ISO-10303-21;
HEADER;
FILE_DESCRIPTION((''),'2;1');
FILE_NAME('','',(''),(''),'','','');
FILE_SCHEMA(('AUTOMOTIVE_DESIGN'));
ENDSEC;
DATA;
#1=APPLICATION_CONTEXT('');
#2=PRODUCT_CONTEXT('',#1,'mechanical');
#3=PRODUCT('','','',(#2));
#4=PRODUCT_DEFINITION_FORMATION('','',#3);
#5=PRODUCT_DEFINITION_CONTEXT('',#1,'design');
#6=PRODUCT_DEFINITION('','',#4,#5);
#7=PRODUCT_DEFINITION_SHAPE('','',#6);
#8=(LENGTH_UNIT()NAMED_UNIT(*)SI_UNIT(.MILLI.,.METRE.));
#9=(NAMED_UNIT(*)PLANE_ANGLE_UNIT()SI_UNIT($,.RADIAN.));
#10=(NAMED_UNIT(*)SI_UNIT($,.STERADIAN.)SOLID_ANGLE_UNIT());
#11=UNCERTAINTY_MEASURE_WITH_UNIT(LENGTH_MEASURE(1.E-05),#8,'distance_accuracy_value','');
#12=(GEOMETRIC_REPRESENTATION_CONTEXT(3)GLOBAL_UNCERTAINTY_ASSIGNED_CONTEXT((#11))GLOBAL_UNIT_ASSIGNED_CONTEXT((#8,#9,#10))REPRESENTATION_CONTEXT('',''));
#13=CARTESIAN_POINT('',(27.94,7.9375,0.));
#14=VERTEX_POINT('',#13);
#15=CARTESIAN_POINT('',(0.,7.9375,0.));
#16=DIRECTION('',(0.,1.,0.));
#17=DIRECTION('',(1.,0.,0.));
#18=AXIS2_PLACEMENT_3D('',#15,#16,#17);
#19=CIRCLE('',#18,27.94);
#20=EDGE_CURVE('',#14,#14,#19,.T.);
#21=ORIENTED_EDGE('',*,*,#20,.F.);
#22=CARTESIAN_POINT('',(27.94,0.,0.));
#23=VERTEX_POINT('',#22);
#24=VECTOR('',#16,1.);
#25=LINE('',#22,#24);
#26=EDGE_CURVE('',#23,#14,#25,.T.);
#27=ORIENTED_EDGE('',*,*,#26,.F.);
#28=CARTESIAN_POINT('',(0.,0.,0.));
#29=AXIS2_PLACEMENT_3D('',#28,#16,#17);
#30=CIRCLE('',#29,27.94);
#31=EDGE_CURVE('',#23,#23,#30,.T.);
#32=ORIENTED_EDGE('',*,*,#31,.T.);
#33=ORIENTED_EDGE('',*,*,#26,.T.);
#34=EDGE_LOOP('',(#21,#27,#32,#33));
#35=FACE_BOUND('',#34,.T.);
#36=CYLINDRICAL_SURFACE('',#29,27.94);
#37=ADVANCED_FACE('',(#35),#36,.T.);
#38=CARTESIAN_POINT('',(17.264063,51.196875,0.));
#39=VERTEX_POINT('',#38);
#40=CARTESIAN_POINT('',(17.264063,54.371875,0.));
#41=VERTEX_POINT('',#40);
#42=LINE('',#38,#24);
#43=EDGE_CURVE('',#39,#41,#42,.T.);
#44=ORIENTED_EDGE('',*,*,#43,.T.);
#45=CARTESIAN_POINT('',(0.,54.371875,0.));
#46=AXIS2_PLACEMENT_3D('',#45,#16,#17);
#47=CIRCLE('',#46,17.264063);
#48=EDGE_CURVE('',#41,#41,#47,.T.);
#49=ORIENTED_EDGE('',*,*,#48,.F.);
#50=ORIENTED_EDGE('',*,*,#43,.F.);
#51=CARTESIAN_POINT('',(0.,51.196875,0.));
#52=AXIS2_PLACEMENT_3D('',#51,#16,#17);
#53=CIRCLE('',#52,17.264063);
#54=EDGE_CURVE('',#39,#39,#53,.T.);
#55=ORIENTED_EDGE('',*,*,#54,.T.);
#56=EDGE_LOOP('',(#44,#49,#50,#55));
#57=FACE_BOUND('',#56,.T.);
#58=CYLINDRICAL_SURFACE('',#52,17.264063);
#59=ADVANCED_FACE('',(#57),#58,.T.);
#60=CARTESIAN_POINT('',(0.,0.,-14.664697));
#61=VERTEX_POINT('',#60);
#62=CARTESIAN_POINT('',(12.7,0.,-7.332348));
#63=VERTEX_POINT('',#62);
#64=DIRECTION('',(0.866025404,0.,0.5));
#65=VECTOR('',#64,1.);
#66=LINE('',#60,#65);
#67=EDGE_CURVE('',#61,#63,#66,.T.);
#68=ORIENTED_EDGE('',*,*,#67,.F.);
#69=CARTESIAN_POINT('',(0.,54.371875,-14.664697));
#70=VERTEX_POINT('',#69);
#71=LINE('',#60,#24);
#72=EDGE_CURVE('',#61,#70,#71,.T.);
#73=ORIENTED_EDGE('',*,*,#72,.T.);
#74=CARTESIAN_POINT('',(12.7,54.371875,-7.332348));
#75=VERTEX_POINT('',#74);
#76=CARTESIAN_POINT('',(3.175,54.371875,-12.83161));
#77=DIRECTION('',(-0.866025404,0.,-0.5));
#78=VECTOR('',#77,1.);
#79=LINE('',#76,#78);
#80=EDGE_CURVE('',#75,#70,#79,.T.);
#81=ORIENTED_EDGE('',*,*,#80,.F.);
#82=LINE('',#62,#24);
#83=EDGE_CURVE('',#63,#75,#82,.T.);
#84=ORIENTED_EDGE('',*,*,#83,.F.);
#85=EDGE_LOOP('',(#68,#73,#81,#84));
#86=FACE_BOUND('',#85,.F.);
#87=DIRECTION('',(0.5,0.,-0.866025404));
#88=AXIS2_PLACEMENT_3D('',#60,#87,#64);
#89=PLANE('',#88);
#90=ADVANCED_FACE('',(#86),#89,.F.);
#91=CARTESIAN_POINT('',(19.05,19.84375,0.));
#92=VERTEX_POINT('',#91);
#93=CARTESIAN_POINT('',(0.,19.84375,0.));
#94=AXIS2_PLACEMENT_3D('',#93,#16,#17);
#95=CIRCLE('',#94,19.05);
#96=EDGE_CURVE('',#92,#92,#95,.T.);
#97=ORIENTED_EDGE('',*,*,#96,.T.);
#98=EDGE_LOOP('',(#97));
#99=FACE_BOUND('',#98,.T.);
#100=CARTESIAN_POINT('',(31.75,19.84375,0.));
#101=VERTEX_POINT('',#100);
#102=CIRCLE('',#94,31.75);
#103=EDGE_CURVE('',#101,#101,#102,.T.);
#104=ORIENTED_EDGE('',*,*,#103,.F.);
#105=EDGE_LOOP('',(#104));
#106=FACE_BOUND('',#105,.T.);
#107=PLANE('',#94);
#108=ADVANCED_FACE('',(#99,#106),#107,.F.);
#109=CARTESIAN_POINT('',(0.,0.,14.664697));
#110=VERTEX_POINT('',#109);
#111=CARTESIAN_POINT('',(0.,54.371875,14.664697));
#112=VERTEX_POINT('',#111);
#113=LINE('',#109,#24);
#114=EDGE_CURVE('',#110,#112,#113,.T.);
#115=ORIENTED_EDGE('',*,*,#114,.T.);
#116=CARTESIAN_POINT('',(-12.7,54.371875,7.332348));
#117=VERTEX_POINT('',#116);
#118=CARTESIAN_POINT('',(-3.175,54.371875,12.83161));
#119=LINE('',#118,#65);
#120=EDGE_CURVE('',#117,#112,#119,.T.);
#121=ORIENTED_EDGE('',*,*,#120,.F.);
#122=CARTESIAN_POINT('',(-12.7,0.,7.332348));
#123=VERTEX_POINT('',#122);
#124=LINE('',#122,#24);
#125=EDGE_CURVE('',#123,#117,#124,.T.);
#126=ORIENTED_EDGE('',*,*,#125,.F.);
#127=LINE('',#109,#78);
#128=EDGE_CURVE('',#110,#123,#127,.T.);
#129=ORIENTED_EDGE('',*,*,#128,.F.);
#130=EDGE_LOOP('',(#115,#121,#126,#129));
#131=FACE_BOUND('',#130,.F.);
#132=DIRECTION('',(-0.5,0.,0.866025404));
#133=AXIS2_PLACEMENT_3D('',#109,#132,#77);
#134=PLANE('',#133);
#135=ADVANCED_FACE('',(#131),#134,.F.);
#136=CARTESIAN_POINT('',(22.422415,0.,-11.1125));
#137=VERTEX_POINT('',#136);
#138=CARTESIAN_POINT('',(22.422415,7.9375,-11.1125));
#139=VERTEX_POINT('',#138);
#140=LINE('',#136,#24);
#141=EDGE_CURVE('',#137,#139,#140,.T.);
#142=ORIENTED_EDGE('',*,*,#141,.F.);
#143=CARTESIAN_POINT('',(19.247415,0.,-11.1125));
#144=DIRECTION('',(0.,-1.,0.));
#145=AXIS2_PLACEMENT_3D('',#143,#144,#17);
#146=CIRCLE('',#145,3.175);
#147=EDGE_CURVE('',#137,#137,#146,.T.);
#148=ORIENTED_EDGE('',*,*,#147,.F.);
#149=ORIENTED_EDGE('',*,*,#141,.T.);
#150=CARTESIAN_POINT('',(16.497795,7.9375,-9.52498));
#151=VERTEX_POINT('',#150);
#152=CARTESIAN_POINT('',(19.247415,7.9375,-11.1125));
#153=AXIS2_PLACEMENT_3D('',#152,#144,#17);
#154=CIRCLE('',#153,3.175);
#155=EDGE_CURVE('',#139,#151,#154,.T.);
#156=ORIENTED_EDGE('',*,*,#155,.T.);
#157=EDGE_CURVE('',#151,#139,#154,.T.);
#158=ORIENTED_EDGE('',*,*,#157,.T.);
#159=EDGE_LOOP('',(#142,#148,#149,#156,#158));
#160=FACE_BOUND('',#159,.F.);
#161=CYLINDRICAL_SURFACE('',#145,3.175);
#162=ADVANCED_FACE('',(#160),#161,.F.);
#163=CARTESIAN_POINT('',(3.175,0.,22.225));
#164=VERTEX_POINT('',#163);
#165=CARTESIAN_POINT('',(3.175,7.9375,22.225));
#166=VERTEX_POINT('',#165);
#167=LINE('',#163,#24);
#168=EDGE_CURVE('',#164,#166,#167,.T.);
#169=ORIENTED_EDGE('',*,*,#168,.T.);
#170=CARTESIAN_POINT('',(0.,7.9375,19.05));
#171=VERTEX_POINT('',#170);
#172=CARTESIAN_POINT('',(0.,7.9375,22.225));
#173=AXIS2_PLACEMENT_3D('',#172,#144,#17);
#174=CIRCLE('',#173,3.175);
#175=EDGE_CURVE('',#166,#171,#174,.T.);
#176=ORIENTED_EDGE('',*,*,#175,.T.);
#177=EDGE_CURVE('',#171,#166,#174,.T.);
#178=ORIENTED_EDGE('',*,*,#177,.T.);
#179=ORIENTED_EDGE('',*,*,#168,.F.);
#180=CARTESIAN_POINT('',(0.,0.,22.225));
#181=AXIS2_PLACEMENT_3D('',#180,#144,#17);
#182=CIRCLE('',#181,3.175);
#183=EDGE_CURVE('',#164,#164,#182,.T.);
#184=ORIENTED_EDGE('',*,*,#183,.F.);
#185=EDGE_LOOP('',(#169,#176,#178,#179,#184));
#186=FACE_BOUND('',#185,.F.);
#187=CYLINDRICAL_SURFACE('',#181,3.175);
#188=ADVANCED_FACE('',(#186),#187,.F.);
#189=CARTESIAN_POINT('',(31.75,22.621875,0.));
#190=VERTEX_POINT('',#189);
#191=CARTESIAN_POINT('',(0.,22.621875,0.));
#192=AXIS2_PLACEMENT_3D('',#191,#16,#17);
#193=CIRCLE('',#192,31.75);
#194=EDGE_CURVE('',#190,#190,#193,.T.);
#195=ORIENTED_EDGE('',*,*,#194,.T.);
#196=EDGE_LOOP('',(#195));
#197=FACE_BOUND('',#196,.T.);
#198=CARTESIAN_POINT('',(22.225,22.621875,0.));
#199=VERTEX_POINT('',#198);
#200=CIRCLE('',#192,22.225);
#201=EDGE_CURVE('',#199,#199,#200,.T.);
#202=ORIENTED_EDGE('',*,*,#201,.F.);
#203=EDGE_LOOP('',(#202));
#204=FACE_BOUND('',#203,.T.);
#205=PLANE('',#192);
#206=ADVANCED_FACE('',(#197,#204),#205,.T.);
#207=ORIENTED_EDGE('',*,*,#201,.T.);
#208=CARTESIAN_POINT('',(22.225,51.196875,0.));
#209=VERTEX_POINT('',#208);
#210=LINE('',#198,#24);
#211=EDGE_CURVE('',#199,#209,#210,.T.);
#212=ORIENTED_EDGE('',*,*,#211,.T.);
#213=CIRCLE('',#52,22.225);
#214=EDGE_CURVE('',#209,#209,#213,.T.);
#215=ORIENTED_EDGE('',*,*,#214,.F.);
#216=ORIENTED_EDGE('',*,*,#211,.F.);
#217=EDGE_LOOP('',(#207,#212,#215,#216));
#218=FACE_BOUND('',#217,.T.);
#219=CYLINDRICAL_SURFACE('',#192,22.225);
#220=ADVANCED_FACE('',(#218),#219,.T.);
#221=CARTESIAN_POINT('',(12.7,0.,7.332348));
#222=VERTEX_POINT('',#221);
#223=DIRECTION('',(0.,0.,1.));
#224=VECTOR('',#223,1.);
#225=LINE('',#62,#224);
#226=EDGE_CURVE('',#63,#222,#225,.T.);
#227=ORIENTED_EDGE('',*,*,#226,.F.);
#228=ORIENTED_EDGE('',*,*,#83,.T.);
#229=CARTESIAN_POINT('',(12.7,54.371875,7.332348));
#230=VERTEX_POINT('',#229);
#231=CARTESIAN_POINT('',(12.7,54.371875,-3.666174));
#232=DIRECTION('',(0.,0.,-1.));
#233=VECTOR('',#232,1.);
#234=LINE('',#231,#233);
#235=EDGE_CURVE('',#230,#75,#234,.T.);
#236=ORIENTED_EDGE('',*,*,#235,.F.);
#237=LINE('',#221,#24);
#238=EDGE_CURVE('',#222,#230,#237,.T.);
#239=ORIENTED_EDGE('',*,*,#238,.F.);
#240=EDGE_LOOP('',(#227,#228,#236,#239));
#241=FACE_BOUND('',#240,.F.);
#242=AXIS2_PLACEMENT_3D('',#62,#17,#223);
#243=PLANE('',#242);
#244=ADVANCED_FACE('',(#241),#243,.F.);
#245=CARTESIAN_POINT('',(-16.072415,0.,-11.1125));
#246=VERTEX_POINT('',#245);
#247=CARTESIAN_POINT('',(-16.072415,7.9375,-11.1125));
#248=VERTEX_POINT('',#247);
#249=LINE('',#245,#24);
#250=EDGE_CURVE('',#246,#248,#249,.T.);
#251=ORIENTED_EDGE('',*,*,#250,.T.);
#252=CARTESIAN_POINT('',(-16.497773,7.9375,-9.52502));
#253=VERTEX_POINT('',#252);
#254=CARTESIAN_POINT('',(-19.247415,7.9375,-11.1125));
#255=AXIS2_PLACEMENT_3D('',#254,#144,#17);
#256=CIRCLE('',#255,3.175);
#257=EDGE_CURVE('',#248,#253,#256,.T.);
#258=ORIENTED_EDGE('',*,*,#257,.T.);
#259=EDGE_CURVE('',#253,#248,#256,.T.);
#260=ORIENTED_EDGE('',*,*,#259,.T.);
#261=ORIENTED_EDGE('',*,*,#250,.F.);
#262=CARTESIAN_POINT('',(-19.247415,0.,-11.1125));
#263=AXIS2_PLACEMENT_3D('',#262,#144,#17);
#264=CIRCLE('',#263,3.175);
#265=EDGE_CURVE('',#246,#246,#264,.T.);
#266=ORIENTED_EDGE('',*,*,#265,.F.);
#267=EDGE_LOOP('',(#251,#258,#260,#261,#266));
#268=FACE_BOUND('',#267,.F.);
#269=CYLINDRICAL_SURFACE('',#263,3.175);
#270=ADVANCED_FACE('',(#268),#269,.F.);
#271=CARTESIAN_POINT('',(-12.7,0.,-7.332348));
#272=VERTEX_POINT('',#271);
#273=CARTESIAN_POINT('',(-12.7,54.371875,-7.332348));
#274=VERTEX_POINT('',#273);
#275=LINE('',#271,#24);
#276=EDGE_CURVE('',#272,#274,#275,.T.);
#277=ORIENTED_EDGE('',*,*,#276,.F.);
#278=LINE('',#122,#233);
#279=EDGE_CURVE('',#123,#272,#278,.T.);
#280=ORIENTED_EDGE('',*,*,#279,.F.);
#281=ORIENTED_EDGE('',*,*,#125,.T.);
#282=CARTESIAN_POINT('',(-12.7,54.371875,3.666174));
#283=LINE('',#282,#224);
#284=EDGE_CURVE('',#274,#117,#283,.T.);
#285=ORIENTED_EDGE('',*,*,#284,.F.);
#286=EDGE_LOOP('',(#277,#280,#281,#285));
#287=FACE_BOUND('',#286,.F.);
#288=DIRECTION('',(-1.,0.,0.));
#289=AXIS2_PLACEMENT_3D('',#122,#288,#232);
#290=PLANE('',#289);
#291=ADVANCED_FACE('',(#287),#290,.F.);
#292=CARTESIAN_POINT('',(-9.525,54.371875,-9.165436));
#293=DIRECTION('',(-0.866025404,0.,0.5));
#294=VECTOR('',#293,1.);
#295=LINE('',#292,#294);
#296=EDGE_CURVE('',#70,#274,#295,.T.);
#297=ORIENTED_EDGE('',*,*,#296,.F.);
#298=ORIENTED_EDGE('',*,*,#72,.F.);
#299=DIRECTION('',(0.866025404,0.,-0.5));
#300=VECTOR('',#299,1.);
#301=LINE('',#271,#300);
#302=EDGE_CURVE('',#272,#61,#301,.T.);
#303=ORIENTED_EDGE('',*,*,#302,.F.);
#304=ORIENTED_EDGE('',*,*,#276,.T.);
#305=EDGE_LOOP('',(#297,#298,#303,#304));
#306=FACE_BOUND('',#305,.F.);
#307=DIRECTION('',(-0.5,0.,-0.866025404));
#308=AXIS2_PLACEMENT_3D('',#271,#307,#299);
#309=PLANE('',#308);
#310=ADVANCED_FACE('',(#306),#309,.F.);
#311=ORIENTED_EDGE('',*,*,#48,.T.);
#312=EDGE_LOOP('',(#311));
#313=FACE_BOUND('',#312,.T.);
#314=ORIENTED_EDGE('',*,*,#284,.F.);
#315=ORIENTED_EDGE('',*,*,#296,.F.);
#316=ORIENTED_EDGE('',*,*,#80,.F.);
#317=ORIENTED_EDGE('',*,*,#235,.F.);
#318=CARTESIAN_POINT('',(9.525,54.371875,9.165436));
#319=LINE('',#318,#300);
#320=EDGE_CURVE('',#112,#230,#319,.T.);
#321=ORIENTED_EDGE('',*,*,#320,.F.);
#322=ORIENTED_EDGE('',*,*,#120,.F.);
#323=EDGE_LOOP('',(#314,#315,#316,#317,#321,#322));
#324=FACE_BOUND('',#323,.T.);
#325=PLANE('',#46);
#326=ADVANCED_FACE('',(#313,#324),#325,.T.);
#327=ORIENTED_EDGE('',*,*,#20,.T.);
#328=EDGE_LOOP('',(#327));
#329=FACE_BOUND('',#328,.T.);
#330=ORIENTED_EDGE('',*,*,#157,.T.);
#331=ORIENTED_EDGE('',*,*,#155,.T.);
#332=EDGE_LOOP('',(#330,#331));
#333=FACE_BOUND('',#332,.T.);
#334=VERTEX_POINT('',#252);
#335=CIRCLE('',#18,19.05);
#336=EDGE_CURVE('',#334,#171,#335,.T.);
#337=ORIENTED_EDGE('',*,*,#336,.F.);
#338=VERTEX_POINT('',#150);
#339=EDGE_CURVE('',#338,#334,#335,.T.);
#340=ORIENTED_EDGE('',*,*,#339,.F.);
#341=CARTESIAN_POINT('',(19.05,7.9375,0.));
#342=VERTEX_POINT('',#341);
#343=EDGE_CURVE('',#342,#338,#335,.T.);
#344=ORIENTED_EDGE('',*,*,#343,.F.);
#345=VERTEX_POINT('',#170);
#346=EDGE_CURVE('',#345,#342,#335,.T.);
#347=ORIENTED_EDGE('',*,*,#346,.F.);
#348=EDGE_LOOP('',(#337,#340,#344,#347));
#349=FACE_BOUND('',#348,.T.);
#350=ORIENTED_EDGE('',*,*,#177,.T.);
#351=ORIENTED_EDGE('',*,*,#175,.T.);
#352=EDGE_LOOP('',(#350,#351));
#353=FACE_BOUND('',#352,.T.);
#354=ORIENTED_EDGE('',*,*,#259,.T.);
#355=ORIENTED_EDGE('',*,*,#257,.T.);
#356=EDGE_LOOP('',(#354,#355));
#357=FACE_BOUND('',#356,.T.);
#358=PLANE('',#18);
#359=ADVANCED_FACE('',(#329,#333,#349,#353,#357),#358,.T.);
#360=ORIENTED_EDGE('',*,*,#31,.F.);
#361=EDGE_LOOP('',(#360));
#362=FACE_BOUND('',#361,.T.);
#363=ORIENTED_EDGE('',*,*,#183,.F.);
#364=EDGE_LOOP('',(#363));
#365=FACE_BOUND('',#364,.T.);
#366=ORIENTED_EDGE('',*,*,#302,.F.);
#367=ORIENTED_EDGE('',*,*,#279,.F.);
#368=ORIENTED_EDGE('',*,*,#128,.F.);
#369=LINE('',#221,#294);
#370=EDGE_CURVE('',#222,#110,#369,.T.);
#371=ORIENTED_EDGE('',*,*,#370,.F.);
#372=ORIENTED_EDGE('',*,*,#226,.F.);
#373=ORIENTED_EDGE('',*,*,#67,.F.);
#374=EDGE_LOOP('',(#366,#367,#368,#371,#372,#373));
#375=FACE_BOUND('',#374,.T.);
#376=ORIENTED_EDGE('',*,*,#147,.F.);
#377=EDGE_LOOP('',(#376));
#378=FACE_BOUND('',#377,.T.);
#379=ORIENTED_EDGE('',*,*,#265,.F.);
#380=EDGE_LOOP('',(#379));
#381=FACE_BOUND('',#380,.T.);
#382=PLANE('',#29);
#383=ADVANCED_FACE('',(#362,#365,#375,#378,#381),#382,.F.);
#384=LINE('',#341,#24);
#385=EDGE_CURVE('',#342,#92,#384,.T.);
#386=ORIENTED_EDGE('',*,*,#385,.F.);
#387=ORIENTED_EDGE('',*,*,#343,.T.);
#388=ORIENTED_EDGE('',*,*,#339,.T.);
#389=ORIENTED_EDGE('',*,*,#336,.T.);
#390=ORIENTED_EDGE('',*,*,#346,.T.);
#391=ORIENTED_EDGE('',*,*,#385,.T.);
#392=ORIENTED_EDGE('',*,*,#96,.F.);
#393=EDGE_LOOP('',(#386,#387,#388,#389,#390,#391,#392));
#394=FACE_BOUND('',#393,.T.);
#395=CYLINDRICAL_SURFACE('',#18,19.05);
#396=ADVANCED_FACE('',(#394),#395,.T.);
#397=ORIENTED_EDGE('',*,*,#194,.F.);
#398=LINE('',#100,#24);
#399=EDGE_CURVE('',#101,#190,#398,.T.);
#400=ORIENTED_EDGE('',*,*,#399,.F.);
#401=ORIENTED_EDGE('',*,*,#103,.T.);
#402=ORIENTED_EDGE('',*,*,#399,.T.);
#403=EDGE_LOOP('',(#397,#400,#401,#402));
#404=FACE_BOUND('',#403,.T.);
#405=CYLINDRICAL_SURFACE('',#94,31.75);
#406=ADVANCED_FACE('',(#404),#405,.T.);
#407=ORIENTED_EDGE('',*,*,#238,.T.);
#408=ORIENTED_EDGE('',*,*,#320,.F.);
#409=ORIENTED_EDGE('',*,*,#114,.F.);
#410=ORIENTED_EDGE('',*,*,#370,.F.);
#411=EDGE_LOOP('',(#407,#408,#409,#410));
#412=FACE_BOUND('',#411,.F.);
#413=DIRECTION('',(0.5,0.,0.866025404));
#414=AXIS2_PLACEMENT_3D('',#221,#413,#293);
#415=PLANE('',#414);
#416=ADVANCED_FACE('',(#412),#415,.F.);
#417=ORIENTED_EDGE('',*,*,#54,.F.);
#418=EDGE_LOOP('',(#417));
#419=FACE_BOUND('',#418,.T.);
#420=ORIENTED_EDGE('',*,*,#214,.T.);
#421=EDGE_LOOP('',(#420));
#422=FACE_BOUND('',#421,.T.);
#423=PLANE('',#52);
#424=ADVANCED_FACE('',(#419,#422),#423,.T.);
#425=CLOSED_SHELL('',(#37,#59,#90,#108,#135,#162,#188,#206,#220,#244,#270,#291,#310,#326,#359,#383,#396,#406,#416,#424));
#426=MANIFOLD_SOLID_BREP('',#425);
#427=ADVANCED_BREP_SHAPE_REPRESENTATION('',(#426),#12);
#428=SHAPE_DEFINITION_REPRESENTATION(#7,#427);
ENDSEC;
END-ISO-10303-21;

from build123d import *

# Parameters (mm, degrees)
CUT_EXTRUDE1_DEPTH = 101.6
SKETCH3_R          = 3.175
CUT_EXTRUDE2_DEPTH = 12.7


with BuildPart() as part:
    # Sketch1 → Revolve1 (revolve)
    with BuildSketch(Plane.XY):
        Polygon((0, 0), (27.94, 0), (27.94, 7.9375), (19.05, 7.9375), (19.05, 19.84375), (31.75, 19.84375), (31.75, 22.621875), (22.225, 22.621875), (22.225, 51.196875), (17.2640625, 51.196875), (17.2640625, 54.371875), (0, 54.371875), align=None)
    revolve(axis=Axis((0, 0, 0), (0, 1, 0)))

    # Sketch2 → Cut-Extrude1 (cut)
    with BuildSketch(Plane.XZ):
        Polygon((12.7, 7.332348419), (0, 14.664696837), (-12.7, 7.332348419), (-12.7, -7.332348419), (0, -14.664696837), (12.7, -7.332348419), align=None)
    extrude(amount=-CUT_EXTRUDE1_DEPTH, mode=Mode.SUBTRACT)

    # Sketch3 → Cut-Extrude2 (cut)
    with BuildSketch(Plane.XZ):
        with Locations((0, 22.225)):
            Circle(SKETCH3_R)
        with Locations((19.247414599, -11.1125)):
            Circle(SKETCH3_R)
        with Locations((-19.247414599, -11.1125)):
            Circle(SKETCH3_R)
    extrude(amount=-CUT_EXTRUDE2_DEPTH, mode=Mode.SUBTRACT)


solid = part.part
